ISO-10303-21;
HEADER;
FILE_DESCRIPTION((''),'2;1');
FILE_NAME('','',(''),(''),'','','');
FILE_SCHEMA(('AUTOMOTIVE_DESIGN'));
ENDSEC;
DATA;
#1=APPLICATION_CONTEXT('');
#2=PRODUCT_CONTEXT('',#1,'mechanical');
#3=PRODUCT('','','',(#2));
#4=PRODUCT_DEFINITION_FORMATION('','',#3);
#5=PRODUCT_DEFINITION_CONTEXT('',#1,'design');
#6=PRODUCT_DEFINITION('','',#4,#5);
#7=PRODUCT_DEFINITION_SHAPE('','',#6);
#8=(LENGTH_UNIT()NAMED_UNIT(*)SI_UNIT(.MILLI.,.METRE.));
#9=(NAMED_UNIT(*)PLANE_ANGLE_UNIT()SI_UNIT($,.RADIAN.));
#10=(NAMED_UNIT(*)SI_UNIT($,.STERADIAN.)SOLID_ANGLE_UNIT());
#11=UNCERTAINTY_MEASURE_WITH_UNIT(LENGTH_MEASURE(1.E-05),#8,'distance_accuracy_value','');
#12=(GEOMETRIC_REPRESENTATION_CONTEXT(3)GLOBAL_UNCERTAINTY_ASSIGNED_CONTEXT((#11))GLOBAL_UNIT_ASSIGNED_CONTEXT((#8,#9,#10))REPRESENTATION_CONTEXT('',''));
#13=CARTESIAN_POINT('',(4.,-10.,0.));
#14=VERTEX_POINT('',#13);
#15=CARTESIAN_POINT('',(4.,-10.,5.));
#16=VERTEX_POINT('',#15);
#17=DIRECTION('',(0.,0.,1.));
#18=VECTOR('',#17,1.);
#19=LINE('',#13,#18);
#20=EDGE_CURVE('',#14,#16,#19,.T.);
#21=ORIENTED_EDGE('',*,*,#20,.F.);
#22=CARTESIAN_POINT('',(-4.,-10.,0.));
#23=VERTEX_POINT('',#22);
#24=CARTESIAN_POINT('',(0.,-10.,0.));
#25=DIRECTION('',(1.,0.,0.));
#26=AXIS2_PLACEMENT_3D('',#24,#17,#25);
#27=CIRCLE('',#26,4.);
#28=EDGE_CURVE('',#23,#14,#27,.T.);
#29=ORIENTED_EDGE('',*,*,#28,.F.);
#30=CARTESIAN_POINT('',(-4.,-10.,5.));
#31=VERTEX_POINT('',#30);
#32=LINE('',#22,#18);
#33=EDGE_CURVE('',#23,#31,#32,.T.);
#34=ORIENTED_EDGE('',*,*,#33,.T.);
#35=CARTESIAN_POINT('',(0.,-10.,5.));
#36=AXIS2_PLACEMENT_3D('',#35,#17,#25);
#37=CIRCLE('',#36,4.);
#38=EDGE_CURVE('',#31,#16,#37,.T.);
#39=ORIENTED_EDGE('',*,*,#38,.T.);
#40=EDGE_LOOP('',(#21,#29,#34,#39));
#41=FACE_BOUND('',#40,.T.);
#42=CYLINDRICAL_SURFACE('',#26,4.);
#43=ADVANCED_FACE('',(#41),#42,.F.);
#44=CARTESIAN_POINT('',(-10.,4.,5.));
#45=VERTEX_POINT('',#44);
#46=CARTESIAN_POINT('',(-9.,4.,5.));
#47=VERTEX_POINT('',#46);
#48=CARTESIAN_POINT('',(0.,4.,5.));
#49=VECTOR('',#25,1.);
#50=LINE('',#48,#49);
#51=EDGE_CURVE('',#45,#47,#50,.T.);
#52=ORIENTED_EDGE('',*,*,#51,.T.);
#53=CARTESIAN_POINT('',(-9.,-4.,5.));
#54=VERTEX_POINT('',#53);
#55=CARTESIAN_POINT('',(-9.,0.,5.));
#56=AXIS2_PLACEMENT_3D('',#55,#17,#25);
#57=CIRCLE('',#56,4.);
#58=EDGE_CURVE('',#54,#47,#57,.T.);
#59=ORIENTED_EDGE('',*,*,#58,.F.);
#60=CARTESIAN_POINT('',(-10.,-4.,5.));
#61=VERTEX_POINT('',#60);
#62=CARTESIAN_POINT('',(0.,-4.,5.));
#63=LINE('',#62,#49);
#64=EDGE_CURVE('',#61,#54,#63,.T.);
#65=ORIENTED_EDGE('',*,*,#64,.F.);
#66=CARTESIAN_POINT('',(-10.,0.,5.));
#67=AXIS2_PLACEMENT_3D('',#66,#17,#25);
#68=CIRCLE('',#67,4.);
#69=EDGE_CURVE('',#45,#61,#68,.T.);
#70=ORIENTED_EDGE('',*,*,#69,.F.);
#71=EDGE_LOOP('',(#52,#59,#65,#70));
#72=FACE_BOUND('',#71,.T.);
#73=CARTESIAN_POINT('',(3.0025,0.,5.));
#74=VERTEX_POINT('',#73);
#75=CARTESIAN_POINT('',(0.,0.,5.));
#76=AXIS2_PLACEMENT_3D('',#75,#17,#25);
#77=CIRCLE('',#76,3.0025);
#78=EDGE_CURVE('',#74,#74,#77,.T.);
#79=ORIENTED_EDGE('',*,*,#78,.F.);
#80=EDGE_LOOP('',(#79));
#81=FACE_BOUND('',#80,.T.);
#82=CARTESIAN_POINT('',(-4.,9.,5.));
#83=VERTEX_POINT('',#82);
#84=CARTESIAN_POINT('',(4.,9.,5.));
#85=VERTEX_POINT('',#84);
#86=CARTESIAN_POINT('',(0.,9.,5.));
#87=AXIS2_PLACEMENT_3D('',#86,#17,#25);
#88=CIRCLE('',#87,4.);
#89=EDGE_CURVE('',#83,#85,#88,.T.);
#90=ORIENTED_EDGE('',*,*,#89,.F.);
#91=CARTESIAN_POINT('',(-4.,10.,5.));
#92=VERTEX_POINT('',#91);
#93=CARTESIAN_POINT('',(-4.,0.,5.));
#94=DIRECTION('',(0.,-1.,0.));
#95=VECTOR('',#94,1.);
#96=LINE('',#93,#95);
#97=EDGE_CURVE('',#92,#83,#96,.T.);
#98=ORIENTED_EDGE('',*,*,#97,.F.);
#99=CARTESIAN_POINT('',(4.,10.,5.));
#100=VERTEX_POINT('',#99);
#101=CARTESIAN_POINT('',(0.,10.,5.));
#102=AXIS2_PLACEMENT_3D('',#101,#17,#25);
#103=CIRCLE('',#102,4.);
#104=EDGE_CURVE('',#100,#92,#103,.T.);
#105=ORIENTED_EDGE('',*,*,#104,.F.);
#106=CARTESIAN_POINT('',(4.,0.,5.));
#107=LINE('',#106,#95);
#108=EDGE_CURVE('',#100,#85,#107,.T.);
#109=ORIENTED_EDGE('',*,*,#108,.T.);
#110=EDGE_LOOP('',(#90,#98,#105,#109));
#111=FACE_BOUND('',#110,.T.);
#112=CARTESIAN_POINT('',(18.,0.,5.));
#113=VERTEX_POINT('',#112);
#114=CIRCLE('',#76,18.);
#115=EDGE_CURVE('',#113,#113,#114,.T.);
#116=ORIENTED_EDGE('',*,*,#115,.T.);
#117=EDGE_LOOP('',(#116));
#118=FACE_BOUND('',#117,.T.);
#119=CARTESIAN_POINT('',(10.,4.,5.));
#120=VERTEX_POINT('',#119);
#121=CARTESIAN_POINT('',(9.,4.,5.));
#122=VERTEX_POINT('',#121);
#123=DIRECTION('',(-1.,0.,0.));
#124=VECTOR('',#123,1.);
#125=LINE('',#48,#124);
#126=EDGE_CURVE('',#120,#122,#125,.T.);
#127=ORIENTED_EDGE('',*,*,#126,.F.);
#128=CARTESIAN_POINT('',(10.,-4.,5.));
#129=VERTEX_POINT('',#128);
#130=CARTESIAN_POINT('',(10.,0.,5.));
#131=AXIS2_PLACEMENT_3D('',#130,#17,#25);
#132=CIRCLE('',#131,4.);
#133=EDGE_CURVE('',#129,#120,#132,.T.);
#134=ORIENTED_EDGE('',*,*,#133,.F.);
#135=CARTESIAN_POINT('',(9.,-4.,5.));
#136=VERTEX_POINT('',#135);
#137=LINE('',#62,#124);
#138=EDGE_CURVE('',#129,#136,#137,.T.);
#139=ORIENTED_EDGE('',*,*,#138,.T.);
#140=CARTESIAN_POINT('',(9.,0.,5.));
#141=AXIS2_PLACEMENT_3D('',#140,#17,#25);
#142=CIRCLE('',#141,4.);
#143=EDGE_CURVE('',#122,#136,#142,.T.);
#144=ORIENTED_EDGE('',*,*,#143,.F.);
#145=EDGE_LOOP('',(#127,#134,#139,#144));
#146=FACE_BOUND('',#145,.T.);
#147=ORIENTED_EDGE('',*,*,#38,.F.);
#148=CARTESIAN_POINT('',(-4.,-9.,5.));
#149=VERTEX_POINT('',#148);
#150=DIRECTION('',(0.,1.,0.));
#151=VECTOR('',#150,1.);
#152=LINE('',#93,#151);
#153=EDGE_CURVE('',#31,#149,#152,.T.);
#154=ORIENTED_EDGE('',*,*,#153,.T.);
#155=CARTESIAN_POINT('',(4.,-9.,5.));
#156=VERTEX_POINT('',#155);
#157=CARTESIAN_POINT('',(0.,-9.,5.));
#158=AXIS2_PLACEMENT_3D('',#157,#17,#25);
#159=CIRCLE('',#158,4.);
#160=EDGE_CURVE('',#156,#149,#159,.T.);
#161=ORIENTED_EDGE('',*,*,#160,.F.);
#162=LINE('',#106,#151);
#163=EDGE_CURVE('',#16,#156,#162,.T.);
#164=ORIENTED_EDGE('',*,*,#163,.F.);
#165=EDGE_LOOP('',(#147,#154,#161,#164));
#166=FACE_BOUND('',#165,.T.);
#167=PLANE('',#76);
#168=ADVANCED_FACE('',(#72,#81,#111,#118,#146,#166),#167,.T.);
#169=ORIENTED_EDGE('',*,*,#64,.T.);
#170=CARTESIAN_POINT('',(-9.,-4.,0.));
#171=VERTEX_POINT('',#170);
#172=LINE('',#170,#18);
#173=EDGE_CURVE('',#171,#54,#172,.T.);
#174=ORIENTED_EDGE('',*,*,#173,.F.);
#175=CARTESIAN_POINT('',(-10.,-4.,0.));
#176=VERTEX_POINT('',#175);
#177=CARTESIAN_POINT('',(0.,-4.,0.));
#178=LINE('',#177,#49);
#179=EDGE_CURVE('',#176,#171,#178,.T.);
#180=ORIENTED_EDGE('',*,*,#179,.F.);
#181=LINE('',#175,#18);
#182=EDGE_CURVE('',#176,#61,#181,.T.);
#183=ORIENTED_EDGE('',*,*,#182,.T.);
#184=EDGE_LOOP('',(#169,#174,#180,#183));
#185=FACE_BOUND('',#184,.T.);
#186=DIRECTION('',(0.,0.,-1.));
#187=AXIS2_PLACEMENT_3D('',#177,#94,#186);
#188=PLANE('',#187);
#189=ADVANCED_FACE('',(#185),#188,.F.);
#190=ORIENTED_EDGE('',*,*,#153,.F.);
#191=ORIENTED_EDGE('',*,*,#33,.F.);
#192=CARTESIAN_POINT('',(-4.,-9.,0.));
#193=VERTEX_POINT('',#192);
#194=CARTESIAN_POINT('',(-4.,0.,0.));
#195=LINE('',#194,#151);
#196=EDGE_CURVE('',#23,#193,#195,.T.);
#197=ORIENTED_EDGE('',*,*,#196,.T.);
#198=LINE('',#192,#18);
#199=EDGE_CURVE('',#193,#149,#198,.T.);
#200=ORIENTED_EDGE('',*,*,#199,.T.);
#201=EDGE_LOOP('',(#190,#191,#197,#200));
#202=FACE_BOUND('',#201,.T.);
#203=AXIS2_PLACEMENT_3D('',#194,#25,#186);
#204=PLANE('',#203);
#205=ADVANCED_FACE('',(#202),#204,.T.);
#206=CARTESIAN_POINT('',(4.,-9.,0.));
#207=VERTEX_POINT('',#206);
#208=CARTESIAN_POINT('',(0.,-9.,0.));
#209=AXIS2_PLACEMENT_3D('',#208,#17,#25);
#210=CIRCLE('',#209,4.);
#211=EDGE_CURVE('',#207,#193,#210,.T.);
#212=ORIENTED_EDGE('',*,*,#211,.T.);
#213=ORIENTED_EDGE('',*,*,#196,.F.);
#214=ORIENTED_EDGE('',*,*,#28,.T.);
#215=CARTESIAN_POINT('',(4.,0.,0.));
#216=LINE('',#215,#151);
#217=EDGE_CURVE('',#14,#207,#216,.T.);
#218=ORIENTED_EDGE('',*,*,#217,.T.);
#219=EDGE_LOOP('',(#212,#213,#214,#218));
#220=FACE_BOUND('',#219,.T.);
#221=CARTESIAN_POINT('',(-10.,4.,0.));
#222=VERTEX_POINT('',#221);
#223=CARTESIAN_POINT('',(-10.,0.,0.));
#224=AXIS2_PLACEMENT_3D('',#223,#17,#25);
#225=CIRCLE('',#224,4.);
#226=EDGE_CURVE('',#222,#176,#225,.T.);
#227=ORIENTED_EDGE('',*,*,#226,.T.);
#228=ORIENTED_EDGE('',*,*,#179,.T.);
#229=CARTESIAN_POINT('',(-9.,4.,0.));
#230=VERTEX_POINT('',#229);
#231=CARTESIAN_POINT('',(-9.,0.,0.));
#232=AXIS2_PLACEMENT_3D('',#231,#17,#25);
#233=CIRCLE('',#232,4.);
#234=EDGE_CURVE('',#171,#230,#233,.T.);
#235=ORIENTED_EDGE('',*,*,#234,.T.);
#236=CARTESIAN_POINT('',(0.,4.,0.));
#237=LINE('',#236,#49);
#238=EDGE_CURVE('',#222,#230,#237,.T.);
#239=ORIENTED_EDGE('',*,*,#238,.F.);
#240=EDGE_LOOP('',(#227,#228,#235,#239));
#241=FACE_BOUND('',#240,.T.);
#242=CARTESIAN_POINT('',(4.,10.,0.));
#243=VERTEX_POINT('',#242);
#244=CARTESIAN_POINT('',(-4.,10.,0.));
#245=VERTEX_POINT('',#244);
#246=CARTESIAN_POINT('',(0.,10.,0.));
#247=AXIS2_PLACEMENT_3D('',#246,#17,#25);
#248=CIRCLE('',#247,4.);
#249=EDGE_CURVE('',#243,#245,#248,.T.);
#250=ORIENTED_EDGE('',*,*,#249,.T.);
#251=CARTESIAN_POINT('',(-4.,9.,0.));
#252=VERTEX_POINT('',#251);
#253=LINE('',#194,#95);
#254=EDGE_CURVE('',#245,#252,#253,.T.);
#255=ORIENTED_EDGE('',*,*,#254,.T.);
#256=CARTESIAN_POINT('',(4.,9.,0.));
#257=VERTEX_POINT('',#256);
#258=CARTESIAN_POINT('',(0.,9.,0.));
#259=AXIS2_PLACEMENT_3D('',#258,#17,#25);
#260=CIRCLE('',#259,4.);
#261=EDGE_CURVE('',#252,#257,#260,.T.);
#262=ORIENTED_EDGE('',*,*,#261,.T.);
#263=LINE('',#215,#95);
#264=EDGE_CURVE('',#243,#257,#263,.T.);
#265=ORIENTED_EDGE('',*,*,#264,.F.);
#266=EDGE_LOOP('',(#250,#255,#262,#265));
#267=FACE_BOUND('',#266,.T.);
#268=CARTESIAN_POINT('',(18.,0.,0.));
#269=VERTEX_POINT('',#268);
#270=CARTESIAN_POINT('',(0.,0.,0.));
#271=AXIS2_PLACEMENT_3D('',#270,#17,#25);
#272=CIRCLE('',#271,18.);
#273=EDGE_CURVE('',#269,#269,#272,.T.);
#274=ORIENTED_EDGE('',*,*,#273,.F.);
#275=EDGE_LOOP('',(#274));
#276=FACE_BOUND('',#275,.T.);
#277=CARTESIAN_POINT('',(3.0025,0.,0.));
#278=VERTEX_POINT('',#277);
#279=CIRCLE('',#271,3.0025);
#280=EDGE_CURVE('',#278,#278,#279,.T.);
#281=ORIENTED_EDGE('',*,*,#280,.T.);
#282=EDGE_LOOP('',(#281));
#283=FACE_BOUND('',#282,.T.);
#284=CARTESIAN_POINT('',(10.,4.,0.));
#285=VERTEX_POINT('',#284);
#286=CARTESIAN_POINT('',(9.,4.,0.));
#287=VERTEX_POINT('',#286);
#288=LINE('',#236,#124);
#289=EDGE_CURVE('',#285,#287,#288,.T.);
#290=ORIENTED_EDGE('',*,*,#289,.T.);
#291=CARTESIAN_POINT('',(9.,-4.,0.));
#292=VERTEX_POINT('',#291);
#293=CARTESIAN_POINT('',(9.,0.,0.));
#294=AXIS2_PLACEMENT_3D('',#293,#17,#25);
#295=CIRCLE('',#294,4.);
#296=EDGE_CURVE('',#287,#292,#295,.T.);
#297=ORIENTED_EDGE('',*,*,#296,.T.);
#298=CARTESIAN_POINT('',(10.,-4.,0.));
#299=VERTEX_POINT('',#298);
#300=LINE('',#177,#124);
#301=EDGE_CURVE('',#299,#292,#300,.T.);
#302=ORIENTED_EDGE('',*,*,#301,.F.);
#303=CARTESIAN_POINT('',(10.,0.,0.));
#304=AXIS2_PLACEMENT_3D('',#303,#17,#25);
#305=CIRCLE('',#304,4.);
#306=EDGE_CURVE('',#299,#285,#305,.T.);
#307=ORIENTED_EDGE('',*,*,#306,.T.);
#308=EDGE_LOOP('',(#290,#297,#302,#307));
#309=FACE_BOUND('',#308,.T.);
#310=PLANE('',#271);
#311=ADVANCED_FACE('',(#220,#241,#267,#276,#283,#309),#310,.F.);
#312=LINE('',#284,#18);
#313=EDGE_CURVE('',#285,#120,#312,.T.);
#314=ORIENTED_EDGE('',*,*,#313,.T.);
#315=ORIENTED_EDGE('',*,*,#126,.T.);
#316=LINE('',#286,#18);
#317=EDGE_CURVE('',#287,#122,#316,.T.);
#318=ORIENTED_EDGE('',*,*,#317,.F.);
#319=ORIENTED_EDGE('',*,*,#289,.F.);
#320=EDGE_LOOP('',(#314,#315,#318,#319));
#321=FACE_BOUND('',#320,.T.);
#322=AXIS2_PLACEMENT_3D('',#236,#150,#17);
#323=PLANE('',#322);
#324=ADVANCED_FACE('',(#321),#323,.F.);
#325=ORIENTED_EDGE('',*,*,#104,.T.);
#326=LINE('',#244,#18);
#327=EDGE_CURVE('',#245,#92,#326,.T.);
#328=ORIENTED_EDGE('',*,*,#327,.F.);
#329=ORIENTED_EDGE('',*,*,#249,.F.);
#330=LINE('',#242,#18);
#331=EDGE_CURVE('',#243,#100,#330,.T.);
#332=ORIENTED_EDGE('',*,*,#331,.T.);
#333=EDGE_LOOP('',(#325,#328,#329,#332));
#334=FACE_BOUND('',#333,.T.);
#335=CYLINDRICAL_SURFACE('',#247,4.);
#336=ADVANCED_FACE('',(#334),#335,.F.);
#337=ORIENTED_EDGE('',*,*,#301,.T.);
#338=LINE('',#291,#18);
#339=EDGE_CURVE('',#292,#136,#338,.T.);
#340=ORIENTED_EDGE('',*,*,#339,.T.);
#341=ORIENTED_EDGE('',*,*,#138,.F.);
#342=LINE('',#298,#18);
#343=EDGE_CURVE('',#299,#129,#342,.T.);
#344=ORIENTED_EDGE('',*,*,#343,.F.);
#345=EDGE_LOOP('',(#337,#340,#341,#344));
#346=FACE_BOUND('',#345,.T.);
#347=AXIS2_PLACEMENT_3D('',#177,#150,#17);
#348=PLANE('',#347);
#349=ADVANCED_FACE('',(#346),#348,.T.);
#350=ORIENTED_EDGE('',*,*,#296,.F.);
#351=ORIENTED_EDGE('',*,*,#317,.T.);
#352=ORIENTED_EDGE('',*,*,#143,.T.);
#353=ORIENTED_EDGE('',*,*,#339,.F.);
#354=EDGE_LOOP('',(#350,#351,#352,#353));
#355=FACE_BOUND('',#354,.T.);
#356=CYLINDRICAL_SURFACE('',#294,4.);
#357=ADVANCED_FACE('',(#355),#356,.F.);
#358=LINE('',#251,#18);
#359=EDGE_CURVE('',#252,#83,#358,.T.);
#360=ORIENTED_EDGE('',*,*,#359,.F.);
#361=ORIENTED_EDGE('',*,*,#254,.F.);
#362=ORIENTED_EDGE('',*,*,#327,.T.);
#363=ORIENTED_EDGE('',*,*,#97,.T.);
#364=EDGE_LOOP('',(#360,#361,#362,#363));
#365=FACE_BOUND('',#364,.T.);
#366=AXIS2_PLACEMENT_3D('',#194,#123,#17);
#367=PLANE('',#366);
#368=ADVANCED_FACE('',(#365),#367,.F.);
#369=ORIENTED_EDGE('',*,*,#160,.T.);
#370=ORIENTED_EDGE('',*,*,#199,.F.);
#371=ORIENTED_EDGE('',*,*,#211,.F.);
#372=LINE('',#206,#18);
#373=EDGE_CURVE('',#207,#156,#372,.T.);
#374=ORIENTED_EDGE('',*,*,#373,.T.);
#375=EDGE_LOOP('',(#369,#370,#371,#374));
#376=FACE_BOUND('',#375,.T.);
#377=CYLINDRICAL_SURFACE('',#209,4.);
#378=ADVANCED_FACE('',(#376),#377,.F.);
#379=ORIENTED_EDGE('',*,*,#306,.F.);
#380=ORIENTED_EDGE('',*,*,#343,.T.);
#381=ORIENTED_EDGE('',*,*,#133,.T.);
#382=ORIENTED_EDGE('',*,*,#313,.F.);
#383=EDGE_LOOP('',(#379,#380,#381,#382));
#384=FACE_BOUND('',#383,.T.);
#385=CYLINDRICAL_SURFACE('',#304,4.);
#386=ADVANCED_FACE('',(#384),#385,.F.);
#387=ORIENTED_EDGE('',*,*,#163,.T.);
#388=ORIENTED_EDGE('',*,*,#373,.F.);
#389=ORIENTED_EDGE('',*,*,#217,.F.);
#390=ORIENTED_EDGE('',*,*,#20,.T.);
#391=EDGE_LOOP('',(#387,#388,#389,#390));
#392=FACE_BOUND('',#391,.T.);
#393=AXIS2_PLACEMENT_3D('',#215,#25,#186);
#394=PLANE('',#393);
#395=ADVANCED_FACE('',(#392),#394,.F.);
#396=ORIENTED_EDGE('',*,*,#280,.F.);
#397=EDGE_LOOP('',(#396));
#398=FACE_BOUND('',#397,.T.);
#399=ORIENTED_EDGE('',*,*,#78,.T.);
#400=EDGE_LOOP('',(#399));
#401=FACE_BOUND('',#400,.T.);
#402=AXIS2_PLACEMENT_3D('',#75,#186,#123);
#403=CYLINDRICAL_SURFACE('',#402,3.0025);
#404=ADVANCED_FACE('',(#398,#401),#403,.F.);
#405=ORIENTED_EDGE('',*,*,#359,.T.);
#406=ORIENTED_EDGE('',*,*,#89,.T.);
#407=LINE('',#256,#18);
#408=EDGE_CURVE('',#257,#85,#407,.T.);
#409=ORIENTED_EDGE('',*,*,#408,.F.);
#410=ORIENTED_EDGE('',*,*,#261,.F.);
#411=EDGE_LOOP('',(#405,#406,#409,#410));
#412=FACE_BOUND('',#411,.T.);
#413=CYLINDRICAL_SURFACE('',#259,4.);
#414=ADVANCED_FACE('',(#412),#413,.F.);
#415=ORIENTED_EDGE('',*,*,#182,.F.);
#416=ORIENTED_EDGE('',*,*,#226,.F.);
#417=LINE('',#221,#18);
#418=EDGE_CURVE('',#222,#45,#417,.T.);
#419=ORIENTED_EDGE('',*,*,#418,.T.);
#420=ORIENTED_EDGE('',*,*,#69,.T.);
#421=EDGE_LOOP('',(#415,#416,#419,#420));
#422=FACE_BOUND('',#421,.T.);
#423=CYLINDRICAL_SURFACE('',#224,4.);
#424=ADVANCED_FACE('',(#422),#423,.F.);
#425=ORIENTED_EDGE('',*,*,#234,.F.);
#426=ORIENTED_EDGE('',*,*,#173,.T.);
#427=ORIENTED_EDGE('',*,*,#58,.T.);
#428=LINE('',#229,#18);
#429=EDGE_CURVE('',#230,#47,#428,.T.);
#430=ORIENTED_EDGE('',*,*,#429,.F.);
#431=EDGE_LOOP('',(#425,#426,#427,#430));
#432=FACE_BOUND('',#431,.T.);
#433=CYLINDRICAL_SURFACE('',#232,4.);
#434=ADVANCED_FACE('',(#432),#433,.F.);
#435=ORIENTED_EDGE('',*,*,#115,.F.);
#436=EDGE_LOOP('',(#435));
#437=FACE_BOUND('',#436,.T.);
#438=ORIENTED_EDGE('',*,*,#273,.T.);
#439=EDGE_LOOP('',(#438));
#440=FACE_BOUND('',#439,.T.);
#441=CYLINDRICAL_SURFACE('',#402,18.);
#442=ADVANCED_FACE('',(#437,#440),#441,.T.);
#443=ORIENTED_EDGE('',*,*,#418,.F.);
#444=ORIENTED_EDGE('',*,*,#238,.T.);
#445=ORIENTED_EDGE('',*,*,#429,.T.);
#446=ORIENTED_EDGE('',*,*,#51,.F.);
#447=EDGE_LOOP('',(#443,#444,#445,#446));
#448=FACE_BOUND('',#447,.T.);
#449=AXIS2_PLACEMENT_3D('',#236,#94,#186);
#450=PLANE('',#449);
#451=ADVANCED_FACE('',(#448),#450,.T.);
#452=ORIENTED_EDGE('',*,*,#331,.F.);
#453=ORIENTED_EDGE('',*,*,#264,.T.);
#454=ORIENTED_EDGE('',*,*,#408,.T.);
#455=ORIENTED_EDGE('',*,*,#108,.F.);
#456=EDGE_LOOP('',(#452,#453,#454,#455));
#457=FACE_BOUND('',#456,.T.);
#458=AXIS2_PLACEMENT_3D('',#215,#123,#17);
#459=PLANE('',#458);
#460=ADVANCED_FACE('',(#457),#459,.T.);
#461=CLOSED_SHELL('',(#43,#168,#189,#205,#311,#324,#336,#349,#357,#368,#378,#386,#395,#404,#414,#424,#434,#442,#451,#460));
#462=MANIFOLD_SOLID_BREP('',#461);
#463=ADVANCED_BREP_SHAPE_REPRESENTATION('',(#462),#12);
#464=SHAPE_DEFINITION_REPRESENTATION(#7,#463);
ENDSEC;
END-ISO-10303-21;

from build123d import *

# Parameters (mm, degrees)
ESQUISSE1_R             = 18
ESQUISSE1_R_2           = 3.0025
BOSS_EXTRU_1_DEPTH      = 5
ENL_V_MAT_EXTRU_1_DEPTH = 5


with BuildPart() as part:
    # Esquisse1 → Boss.-Extru.1 (new body)
    with BuildSketch(Plane.XY):
        Circle(ESQUISSE1_R)
        Circle(ESQUISSE1_R_2, mode=Mode.SUBTRACT)
    extrude(amount=BOSS_EXTRU_1_DEPTH)

    # Esquisse2 → Enlèv. mat.-Extru.1 (cut)
    with BuildSketch(Plane.XY.offset(5)):
        with BuildLine():
            Line((-4, 10), (-4, 9))
            ThreePointArc((-4, 9), (0, 5), (4, 9))
            Line((4, 9), (4, 10))
            ThreePointArc((4, 10), (0, 14), (-4, 10))
        make_face()
        with BuildLine():
            Line((-10, -4), (-9, -4))
            ThreePointArc((-9, -4), (-5, 0), (-9, 4))
            Line((-9, 4), (-10, 4))
            ThreePointArc((-10, 4), (-14, 0), (-10, -4))
        make_face()
        with BuildLine():
            Line((4, -10), (4, -9))
            ThreePointArc((4, -9), (0, -5), (-4, -9))
            Line((-4, -9), (-4, -10))
            ThreePointArc((-4, -10), (0, -14), (4, -10))
        make_face()
        with BuildLine():
            Line((10, 4), (9, 4))
            ThreePointArc((9, 4), (5, 0), (9, -4))
            Line((9, -4), (10, -4))
            ThreePointArc((10, -4), (14, 0), (10, 4))
        make_face()
    extrude(amount=-ENL_V_MAT_EXTRU_1_DEPTH, mode=Mode.SUBTRACT)


solid = part.part
